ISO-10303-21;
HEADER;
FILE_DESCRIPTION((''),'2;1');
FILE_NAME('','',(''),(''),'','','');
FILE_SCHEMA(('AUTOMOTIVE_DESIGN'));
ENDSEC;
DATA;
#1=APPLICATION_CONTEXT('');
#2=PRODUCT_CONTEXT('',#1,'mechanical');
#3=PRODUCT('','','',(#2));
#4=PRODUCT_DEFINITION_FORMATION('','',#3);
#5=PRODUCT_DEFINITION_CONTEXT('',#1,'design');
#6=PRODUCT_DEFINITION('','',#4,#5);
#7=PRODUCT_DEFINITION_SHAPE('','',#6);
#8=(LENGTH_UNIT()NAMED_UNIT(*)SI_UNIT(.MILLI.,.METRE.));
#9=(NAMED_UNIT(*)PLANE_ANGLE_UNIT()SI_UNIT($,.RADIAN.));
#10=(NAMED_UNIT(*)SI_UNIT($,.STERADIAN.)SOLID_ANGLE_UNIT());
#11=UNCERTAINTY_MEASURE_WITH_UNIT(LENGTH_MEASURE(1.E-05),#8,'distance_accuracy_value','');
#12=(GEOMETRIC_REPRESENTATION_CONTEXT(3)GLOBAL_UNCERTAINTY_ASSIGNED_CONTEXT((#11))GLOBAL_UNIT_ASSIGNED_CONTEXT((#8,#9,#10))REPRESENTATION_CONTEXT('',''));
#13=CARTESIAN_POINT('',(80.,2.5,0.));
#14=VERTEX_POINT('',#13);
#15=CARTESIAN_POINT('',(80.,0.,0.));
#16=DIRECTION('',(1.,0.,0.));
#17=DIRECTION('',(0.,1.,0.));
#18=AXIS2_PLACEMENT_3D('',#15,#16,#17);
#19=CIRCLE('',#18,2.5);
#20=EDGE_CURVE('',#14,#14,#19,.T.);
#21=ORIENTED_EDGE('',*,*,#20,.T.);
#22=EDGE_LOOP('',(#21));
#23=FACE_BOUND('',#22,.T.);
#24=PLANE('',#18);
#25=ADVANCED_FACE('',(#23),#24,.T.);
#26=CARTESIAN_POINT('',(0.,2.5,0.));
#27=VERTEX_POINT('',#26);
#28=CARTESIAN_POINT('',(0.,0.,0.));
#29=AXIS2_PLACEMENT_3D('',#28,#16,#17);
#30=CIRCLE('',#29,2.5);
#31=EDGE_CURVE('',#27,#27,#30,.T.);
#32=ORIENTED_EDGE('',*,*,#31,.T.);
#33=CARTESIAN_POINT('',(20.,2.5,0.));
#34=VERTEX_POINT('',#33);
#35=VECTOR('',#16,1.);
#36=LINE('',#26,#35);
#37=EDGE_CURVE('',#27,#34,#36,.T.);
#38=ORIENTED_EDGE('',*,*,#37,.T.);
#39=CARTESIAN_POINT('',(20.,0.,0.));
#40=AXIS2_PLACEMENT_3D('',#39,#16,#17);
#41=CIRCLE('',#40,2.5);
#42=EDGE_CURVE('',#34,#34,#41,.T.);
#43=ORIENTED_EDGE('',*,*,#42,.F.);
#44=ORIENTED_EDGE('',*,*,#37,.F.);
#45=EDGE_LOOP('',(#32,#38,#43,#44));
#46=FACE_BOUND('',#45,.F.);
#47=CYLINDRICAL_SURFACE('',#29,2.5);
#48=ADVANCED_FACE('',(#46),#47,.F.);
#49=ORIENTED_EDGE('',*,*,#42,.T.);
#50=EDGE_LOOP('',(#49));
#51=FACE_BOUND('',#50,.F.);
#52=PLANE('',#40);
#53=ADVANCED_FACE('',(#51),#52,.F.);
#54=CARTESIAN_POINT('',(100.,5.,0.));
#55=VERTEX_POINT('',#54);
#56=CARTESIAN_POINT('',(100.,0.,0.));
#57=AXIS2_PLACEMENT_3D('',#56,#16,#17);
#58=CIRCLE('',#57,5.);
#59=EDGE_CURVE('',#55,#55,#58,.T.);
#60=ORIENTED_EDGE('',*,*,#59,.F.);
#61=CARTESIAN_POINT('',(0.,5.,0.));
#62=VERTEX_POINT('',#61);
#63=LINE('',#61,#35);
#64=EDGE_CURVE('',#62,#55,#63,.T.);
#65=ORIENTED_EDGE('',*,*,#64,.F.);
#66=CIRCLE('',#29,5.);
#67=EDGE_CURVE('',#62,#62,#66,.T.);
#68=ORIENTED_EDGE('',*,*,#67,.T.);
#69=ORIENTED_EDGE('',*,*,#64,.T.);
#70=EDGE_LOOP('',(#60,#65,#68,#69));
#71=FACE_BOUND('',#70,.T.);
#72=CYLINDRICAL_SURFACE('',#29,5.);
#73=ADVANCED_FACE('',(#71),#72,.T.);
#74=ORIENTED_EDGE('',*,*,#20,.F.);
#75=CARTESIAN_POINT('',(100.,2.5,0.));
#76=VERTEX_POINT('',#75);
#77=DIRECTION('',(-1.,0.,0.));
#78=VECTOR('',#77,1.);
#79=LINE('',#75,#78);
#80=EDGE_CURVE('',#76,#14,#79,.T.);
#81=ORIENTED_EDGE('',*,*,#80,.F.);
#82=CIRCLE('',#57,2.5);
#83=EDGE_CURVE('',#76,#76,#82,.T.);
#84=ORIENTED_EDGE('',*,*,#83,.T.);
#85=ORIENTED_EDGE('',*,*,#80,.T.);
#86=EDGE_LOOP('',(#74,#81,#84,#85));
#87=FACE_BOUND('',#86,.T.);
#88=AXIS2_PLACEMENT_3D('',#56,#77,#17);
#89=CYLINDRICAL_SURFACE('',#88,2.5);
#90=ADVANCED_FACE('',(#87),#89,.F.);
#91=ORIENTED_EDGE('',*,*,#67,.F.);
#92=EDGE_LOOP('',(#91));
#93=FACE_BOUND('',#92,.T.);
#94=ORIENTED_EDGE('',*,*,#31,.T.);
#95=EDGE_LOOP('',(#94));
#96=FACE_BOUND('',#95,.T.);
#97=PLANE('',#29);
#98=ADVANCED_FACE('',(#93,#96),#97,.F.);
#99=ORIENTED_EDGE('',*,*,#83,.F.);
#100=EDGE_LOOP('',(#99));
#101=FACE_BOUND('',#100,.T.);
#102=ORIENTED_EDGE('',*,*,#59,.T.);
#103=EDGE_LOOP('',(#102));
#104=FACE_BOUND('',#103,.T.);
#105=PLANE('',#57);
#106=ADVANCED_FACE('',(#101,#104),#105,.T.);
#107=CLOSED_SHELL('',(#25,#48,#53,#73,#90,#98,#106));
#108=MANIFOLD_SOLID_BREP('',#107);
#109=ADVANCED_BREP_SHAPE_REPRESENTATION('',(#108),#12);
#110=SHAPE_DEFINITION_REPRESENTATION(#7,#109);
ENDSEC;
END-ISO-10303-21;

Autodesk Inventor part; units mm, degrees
ref_plane "Start Plane" through (0, 0, 0) normal (1, 0, 0) x (0, 1, 0)
ref_plane "XZ Plane" through (0, 0, 0) normal (0, 1, 0) x (-1, 0, 0)
ref_plane "XY Plane" through (0, 0, 0) normal (0, 0, 1) x (1, 0, 0)
sketch "Main Sketch" plane through (0, 0, 0) normal (0, 0, 1) x (1, 0, 0)
  line L0 (0, 0) -> (100, 0)
  line L1 (0, 2.5) -> (0, 5)
  line L2 (100, 5) -> (100, 2.5)
  line L3 (0, 5) -> (100, 5)
  line L4 (20, 2.5) -> (20, 0)
  line L5 (0, 2.5) -> (20, 2.5)
  line L6 (80, 2.5) -> (80, 0)
  line L7 (100, 2.5) -> (80, 2.5)
  line L8 (20, 0) -> (80, 0)
  dimension "d3" = 10
  dimension "d4" = 5
  dimension "d5" = 5
revolve "Revolution1" add sketch "Main Sketch" angle 360 about axis through (0, 0, 0) along (1, 0, 0)
equation "\"Length\" = 100"
properties part number "Shaft" material "Steel"
